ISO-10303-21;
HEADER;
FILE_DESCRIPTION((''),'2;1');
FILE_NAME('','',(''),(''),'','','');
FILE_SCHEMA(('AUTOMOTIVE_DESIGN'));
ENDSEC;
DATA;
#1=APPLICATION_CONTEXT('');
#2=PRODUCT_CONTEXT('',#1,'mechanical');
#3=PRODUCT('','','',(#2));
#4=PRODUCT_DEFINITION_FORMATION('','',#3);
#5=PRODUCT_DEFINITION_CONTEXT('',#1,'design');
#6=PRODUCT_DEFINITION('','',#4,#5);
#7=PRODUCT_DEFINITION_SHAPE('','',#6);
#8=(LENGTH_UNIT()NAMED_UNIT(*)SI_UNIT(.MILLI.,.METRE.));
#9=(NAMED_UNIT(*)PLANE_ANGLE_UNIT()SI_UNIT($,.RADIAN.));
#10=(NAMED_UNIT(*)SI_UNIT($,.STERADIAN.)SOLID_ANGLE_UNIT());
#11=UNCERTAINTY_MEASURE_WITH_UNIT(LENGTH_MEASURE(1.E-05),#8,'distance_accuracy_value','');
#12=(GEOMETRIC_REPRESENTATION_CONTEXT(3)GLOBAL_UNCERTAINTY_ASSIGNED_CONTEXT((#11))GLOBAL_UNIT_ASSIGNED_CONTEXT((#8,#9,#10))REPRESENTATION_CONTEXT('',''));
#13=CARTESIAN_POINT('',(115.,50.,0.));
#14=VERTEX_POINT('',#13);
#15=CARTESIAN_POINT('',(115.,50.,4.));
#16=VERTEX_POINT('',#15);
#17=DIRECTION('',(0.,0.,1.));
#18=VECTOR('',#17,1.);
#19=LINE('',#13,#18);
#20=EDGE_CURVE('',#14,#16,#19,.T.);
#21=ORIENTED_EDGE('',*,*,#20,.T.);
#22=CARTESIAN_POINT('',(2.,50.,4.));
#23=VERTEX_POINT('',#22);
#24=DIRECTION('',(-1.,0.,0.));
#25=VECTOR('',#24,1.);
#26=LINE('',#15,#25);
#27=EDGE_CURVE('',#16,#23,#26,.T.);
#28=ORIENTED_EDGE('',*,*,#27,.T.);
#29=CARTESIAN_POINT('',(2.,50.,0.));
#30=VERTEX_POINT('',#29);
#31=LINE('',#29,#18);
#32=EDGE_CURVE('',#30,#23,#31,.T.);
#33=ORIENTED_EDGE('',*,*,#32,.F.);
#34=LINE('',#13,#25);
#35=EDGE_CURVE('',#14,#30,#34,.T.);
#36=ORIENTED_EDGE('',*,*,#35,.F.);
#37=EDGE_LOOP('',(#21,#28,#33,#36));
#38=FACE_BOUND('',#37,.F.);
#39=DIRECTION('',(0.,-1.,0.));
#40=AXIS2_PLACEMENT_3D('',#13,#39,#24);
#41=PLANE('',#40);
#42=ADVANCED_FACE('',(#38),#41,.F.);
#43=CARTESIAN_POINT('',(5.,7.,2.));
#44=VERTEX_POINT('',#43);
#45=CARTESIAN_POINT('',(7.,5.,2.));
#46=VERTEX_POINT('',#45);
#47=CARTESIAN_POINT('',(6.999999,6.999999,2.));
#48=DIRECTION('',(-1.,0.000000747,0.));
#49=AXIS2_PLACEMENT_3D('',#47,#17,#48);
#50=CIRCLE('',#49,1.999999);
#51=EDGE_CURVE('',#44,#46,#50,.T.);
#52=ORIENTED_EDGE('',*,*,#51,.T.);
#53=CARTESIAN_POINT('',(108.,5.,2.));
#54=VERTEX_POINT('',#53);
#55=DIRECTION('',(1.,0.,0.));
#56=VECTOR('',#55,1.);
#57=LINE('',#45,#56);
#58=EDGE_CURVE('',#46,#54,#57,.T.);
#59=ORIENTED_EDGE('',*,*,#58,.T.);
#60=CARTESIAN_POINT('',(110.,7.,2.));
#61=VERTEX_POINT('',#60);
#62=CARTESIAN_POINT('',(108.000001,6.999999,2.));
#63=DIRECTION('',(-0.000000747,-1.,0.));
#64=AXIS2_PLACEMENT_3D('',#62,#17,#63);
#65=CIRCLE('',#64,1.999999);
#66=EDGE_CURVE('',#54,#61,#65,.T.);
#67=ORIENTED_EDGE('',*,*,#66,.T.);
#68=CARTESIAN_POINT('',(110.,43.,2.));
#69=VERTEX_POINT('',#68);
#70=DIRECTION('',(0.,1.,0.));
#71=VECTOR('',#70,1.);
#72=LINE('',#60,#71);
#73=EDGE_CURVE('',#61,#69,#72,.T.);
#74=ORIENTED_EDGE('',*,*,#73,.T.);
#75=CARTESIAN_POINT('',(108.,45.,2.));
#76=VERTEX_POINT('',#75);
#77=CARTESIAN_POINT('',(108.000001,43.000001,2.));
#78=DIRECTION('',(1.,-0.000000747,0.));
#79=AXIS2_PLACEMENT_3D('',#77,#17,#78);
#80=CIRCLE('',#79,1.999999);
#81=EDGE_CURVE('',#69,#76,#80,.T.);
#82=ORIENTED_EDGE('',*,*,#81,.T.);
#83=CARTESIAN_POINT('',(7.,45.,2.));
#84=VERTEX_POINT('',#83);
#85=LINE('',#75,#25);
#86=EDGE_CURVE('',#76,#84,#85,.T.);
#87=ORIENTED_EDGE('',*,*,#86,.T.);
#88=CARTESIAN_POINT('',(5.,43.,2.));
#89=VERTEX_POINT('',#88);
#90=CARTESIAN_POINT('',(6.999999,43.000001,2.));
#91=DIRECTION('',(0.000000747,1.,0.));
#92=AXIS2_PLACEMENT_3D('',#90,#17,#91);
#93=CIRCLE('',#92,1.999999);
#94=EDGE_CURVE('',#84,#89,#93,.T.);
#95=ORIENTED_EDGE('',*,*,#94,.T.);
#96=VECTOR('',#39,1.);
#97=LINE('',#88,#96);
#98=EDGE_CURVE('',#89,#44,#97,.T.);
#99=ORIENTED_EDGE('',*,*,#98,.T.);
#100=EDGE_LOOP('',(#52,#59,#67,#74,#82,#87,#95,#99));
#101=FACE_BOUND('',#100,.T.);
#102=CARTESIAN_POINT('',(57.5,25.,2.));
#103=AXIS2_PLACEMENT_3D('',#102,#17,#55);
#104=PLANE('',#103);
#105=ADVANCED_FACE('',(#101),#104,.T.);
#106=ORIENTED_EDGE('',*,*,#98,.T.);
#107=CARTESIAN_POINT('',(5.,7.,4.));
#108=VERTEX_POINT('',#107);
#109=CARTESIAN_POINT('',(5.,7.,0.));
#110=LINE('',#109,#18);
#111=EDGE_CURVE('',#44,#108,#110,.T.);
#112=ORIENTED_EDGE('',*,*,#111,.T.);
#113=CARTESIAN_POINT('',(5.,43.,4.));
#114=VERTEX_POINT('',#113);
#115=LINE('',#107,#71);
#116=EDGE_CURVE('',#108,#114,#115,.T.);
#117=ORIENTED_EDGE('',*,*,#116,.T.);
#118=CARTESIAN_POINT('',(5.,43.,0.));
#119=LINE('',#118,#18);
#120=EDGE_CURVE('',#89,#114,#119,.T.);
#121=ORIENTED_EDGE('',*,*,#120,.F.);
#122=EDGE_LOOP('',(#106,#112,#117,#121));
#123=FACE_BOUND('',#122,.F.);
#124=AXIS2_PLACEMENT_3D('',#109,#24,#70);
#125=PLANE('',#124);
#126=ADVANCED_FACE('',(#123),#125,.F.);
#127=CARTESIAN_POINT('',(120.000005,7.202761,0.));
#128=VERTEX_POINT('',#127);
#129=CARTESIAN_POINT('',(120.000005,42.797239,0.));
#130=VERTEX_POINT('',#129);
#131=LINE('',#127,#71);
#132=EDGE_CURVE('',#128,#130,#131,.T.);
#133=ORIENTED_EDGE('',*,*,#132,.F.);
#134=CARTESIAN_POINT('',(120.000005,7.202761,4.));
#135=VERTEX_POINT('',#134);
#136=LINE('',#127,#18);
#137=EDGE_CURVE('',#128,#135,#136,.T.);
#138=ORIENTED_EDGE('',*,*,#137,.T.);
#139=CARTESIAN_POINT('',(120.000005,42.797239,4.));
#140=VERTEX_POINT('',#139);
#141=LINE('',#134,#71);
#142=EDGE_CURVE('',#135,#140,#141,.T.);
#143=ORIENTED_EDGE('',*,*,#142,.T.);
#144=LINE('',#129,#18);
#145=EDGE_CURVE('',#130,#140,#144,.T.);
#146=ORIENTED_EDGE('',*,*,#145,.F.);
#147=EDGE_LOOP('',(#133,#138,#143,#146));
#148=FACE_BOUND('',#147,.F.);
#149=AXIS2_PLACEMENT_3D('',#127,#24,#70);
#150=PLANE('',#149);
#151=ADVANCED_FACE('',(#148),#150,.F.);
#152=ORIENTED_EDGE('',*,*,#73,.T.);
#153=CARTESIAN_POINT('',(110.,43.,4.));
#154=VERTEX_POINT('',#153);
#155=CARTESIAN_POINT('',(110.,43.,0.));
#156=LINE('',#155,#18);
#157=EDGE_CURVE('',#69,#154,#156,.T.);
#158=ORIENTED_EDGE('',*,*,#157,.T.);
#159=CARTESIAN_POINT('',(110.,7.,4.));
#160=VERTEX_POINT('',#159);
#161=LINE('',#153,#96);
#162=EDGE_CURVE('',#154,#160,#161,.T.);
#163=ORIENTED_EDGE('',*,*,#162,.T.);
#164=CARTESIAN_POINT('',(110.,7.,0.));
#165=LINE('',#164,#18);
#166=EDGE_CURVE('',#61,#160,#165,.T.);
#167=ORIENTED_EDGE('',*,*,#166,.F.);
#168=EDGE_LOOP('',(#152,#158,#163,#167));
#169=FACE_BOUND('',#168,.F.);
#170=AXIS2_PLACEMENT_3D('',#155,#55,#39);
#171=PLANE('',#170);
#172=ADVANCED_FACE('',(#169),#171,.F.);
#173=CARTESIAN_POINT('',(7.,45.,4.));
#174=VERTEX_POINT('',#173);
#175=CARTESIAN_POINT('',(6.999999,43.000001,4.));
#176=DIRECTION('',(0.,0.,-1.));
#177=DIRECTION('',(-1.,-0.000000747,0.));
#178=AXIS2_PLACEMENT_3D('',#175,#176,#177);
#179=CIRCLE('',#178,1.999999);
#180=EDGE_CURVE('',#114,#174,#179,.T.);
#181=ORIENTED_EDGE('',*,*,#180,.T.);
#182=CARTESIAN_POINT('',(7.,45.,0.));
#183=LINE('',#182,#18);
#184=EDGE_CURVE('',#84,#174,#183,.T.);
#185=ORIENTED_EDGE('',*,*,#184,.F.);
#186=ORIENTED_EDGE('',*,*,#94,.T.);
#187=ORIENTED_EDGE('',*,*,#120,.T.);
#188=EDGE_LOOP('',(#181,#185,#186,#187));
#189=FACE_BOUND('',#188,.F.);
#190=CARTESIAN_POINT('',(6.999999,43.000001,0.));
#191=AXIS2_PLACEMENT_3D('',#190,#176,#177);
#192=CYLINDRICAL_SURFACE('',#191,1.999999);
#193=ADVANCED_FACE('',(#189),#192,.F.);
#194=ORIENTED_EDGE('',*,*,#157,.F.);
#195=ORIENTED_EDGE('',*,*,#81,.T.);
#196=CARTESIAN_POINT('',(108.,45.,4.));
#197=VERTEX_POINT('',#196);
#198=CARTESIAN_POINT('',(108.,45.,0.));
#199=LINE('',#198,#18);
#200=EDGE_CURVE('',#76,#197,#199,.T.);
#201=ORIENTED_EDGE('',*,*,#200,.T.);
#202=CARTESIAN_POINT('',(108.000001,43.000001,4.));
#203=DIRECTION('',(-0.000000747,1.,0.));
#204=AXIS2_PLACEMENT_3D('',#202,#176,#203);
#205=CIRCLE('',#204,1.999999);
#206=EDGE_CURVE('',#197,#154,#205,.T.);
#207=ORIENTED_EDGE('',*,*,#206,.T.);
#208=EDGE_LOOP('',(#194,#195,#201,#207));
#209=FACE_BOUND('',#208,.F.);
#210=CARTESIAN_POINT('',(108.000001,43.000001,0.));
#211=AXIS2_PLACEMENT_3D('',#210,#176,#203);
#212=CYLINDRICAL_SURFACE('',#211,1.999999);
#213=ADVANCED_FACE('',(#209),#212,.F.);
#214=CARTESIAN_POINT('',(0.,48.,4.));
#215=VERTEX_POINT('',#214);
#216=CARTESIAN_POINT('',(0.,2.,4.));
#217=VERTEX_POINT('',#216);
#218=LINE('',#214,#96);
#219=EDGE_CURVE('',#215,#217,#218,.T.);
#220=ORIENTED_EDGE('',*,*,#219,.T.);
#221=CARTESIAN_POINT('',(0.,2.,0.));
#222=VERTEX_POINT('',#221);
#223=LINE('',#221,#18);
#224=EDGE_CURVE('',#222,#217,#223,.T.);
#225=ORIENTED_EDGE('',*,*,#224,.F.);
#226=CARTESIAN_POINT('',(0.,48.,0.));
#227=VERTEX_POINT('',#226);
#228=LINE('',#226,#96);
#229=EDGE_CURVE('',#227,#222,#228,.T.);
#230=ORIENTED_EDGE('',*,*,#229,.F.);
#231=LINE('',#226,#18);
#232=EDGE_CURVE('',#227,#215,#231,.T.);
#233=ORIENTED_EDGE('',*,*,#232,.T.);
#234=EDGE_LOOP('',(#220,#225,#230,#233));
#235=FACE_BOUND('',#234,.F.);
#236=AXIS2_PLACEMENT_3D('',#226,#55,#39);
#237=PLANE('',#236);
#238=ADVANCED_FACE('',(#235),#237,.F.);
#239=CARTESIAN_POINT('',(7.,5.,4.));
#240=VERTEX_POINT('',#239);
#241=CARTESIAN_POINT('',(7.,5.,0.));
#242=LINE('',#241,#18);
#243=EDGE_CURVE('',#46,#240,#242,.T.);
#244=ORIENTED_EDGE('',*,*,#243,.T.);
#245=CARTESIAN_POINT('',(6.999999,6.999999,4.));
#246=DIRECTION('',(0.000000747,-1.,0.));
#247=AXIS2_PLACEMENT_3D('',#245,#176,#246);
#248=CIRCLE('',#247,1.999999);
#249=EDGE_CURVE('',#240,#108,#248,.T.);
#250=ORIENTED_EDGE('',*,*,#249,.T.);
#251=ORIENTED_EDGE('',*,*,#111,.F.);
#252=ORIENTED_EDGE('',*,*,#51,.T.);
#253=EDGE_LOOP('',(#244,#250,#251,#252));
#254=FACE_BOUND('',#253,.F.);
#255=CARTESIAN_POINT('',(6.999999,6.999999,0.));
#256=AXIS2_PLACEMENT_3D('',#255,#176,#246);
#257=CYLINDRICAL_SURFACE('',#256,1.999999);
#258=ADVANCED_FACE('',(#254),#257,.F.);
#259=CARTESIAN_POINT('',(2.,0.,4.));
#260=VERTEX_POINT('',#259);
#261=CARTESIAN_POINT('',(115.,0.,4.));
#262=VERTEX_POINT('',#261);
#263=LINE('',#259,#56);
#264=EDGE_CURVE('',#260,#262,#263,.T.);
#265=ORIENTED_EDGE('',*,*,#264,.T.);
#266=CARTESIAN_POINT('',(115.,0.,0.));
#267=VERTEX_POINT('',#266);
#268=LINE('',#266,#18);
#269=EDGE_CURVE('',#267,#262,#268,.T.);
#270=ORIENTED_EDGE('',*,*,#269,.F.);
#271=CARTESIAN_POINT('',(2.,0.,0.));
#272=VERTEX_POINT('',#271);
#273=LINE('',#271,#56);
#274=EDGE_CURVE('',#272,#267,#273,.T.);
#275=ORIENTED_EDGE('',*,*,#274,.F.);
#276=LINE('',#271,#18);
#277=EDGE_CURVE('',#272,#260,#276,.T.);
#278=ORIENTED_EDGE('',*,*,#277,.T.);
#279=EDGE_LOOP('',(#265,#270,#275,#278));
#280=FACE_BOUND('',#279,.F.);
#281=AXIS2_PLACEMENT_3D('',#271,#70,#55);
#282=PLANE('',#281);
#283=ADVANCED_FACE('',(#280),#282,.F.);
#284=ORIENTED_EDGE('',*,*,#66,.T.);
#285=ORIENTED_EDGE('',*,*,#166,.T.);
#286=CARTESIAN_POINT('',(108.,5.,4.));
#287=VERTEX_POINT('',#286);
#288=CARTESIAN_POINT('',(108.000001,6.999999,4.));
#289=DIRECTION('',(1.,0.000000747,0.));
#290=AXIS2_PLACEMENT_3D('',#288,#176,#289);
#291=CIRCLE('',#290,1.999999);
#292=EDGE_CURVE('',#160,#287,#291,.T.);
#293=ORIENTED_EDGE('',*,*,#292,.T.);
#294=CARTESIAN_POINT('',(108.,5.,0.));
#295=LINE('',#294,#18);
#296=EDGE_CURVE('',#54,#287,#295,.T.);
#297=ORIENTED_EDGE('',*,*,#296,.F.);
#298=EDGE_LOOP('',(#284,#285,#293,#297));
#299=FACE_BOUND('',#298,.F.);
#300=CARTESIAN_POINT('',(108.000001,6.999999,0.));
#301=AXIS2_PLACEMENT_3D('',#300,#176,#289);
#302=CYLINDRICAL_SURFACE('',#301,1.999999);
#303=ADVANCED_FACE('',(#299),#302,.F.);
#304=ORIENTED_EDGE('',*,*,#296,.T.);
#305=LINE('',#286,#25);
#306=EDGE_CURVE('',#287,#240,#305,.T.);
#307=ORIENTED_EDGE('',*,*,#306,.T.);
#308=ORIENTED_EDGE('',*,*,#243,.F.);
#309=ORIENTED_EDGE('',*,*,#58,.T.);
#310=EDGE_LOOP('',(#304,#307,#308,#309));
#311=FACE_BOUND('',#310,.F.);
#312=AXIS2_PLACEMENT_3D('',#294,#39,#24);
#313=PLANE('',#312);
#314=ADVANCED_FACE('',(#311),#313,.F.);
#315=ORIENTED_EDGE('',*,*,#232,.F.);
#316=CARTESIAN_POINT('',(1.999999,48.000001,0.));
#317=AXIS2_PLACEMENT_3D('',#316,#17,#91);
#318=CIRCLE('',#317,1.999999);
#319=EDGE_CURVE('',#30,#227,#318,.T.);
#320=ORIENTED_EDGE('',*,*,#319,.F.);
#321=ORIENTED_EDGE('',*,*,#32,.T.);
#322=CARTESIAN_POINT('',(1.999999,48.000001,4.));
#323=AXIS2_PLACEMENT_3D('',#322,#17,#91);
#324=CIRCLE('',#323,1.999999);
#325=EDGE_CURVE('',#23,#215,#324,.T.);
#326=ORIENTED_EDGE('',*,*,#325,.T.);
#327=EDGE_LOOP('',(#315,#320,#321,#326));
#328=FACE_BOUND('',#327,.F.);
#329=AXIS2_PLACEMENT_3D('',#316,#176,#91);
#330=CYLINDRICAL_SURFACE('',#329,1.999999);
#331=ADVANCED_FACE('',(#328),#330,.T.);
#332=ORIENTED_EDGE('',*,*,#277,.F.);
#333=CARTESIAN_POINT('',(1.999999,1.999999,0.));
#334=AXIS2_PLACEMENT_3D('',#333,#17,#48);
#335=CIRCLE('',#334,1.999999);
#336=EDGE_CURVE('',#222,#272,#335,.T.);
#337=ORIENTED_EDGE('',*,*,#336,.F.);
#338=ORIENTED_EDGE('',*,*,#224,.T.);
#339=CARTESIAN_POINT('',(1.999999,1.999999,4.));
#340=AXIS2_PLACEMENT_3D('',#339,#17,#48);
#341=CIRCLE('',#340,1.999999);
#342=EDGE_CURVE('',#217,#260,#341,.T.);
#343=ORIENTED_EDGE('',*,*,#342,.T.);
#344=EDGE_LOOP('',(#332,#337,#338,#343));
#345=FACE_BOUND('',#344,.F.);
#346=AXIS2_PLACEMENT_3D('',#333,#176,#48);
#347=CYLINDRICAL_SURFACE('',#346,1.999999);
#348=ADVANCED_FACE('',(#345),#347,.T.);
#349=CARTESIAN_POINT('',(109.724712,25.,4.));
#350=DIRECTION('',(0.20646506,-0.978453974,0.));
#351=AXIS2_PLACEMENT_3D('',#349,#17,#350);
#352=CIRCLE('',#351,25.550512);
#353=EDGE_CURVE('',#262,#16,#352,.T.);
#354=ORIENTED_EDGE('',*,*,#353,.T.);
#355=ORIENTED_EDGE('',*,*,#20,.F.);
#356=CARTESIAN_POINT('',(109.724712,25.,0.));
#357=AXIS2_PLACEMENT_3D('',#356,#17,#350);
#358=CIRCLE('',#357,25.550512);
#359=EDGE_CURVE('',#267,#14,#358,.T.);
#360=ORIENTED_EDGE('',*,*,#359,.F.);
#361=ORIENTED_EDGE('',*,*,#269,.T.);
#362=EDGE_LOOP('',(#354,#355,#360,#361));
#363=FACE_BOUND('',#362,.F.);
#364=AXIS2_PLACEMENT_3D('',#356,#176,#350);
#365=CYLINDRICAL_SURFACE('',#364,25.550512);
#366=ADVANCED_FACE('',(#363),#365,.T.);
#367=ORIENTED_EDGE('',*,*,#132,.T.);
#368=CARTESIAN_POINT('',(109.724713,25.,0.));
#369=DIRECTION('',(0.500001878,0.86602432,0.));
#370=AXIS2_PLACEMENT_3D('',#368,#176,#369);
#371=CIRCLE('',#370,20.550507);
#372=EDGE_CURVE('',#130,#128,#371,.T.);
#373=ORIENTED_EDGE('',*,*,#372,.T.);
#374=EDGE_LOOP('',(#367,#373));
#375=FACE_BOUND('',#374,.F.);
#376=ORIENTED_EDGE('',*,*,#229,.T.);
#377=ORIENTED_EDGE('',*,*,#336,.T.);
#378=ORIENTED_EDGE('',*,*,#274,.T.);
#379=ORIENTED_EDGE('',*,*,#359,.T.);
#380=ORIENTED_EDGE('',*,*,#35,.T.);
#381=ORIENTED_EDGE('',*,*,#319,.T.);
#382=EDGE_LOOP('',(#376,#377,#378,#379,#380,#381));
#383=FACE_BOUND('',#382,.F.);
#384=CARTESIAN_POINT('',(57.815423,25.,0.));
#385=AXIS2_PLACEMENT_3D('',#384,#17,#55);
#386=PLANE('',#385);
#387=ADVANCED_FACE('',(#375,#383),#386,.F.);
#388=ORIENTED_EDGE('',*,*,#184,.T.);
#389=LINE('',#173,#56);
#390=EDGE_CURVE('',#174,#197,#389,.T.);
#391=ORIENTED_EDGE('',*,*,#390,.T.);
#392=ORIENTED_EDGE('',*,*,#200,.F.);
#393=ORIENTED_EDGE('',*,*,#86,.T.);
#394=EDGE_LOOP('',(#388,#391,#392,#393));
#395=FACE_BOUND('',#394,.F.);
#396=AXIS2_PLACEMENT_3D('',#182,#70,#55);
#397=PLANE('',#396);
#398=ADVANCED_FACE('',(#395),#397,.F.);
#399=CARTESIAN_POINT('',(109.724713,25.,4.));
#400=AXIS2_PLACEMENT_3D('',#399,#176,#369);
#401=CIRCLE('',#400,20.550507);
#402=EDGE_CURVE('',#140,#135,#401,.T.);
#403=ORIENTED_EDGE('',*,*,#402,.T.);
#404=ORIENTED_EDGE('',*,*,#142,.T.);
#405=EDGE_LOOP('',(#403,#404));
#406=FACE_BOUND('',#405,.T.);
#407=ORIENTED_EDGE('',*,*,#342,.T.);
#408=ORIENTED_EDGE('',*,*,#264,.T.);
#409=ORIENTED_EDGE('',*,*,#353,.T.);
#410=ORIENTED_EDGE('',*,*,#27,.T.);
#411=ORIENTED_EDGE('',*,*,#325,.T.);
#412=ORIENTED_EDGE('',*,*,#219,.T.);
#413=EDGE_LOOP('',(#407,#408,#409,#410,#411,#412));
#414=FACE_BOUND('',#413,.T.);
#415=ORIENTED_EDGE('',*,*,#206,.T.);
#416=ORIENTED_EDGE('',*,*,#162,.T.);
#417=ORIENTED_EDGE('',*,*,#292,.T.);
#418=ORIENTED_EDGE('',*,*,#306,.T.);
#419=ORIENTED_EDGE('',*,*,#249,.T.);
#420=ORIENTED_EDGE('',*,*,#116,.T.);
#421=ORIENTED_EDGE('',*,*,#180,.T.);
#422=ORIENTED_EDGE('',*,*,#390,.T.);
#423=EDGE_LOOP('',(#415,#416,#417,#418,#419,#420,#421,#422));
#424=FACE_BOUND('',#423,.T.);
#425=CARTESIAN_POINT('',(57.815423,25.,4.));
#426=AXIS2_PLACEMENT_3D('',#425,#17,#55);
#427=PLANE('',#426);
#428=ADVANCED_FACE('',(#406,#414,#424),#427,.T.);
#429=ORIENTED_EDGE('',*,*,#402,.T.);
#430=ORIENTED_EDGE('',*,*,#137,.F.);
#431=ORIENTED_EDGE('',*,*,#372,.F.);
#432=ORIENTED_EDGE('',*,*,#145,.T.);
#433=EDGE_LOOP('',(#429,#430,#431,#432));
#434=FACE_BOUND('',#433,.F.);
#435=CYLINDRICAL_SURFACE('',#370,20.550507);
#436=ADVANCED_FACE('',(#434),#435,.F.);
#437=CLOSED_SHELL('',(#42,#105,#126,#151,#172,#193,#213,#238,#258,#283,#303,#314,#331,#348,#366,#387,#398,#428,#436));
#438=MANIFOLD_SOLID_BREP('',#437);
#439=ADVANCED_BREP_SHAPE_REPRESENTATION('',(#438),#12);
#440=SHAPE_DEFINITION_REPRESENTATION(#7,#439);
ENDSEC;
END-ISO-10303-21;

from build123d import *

# Parameters (mm, degrees)
F1_DEPTH = 2
F2_DEPTH = 4


with BuildPart() as f1:
    # F0 (on Top) → F1 (new body)
    with BuildSketch(Plane.XY):
        with BuildLine():
            Line((5, 43), (5, 7))
            ThreePointArc((5, 7), (5.585786, 5.585786), (7, 5))
            Line((7, 5), (108, 5))
            ThreePointArc((108, 5), (109.414214, 5.585786), (110, 7))
            Line((110, 7), (110, 43))
            ThreePointArc((110, 43), (109.414214, 44.414214), (108, 45))
            Line((108, 45), (7, 45))
            ThreePointArc((7, 45), (5.585786, 44.414214), (5, 43))
        make_face()
    extrude(amount=F1_DEPTH)

    # F0 (on Top) → F2 (join)
    with BuildSketch(Plane.XY):
        with BuildLine():
            ThreePointArc((0, 2), (0.585786, 0.585786), (2, 0))
            Line((2, 0), (115, 0))
            Line((115, 0), (115, 50))
            Line((115, 50), (2, 50))
            ThreePointArc((2, 50), (0.585786, 49.414214), (0, 48))
            Line((0, 48), (0, 2))
        make_face()
        with BuildLine():
            ThreePointArc((7, 5), (5.585786, 5.585786), (5, 7))
            Line((5, 7), (5, 43))
            ThreePointArc((5, 43), (5.585786, 44.414214), (7, 45))
            Line((7, 45), (108, 45))
            ThreePointArc((108, 45), (109.414214, 44.414214), (110, 43))
            Line((110, 43), (110, 7))
            ThreePointArc((110, 7), (109.414214, 5.585786), (108, 5))
            Line((108, 5), (7, 5))
        make_face(mode=Mode.SUBTRACT)
        with BuildLine():
            Line((115, 50), (115, 0))
            ThreePointArc((115, 0), (135.275224, 25), (115, 50))
        make_face()
        with BuildLine():
            ThreePointArc((120.000005, 42.797239), (130.27522, 25), (120.000005, 7.202761))
            Line((120.000005, 7.202761), (120.000005, 42.797239))
        make_face(mode=Mode.SUBTRACT)
    extrude(amount=F2_DEPTH)


solid = f1.part
